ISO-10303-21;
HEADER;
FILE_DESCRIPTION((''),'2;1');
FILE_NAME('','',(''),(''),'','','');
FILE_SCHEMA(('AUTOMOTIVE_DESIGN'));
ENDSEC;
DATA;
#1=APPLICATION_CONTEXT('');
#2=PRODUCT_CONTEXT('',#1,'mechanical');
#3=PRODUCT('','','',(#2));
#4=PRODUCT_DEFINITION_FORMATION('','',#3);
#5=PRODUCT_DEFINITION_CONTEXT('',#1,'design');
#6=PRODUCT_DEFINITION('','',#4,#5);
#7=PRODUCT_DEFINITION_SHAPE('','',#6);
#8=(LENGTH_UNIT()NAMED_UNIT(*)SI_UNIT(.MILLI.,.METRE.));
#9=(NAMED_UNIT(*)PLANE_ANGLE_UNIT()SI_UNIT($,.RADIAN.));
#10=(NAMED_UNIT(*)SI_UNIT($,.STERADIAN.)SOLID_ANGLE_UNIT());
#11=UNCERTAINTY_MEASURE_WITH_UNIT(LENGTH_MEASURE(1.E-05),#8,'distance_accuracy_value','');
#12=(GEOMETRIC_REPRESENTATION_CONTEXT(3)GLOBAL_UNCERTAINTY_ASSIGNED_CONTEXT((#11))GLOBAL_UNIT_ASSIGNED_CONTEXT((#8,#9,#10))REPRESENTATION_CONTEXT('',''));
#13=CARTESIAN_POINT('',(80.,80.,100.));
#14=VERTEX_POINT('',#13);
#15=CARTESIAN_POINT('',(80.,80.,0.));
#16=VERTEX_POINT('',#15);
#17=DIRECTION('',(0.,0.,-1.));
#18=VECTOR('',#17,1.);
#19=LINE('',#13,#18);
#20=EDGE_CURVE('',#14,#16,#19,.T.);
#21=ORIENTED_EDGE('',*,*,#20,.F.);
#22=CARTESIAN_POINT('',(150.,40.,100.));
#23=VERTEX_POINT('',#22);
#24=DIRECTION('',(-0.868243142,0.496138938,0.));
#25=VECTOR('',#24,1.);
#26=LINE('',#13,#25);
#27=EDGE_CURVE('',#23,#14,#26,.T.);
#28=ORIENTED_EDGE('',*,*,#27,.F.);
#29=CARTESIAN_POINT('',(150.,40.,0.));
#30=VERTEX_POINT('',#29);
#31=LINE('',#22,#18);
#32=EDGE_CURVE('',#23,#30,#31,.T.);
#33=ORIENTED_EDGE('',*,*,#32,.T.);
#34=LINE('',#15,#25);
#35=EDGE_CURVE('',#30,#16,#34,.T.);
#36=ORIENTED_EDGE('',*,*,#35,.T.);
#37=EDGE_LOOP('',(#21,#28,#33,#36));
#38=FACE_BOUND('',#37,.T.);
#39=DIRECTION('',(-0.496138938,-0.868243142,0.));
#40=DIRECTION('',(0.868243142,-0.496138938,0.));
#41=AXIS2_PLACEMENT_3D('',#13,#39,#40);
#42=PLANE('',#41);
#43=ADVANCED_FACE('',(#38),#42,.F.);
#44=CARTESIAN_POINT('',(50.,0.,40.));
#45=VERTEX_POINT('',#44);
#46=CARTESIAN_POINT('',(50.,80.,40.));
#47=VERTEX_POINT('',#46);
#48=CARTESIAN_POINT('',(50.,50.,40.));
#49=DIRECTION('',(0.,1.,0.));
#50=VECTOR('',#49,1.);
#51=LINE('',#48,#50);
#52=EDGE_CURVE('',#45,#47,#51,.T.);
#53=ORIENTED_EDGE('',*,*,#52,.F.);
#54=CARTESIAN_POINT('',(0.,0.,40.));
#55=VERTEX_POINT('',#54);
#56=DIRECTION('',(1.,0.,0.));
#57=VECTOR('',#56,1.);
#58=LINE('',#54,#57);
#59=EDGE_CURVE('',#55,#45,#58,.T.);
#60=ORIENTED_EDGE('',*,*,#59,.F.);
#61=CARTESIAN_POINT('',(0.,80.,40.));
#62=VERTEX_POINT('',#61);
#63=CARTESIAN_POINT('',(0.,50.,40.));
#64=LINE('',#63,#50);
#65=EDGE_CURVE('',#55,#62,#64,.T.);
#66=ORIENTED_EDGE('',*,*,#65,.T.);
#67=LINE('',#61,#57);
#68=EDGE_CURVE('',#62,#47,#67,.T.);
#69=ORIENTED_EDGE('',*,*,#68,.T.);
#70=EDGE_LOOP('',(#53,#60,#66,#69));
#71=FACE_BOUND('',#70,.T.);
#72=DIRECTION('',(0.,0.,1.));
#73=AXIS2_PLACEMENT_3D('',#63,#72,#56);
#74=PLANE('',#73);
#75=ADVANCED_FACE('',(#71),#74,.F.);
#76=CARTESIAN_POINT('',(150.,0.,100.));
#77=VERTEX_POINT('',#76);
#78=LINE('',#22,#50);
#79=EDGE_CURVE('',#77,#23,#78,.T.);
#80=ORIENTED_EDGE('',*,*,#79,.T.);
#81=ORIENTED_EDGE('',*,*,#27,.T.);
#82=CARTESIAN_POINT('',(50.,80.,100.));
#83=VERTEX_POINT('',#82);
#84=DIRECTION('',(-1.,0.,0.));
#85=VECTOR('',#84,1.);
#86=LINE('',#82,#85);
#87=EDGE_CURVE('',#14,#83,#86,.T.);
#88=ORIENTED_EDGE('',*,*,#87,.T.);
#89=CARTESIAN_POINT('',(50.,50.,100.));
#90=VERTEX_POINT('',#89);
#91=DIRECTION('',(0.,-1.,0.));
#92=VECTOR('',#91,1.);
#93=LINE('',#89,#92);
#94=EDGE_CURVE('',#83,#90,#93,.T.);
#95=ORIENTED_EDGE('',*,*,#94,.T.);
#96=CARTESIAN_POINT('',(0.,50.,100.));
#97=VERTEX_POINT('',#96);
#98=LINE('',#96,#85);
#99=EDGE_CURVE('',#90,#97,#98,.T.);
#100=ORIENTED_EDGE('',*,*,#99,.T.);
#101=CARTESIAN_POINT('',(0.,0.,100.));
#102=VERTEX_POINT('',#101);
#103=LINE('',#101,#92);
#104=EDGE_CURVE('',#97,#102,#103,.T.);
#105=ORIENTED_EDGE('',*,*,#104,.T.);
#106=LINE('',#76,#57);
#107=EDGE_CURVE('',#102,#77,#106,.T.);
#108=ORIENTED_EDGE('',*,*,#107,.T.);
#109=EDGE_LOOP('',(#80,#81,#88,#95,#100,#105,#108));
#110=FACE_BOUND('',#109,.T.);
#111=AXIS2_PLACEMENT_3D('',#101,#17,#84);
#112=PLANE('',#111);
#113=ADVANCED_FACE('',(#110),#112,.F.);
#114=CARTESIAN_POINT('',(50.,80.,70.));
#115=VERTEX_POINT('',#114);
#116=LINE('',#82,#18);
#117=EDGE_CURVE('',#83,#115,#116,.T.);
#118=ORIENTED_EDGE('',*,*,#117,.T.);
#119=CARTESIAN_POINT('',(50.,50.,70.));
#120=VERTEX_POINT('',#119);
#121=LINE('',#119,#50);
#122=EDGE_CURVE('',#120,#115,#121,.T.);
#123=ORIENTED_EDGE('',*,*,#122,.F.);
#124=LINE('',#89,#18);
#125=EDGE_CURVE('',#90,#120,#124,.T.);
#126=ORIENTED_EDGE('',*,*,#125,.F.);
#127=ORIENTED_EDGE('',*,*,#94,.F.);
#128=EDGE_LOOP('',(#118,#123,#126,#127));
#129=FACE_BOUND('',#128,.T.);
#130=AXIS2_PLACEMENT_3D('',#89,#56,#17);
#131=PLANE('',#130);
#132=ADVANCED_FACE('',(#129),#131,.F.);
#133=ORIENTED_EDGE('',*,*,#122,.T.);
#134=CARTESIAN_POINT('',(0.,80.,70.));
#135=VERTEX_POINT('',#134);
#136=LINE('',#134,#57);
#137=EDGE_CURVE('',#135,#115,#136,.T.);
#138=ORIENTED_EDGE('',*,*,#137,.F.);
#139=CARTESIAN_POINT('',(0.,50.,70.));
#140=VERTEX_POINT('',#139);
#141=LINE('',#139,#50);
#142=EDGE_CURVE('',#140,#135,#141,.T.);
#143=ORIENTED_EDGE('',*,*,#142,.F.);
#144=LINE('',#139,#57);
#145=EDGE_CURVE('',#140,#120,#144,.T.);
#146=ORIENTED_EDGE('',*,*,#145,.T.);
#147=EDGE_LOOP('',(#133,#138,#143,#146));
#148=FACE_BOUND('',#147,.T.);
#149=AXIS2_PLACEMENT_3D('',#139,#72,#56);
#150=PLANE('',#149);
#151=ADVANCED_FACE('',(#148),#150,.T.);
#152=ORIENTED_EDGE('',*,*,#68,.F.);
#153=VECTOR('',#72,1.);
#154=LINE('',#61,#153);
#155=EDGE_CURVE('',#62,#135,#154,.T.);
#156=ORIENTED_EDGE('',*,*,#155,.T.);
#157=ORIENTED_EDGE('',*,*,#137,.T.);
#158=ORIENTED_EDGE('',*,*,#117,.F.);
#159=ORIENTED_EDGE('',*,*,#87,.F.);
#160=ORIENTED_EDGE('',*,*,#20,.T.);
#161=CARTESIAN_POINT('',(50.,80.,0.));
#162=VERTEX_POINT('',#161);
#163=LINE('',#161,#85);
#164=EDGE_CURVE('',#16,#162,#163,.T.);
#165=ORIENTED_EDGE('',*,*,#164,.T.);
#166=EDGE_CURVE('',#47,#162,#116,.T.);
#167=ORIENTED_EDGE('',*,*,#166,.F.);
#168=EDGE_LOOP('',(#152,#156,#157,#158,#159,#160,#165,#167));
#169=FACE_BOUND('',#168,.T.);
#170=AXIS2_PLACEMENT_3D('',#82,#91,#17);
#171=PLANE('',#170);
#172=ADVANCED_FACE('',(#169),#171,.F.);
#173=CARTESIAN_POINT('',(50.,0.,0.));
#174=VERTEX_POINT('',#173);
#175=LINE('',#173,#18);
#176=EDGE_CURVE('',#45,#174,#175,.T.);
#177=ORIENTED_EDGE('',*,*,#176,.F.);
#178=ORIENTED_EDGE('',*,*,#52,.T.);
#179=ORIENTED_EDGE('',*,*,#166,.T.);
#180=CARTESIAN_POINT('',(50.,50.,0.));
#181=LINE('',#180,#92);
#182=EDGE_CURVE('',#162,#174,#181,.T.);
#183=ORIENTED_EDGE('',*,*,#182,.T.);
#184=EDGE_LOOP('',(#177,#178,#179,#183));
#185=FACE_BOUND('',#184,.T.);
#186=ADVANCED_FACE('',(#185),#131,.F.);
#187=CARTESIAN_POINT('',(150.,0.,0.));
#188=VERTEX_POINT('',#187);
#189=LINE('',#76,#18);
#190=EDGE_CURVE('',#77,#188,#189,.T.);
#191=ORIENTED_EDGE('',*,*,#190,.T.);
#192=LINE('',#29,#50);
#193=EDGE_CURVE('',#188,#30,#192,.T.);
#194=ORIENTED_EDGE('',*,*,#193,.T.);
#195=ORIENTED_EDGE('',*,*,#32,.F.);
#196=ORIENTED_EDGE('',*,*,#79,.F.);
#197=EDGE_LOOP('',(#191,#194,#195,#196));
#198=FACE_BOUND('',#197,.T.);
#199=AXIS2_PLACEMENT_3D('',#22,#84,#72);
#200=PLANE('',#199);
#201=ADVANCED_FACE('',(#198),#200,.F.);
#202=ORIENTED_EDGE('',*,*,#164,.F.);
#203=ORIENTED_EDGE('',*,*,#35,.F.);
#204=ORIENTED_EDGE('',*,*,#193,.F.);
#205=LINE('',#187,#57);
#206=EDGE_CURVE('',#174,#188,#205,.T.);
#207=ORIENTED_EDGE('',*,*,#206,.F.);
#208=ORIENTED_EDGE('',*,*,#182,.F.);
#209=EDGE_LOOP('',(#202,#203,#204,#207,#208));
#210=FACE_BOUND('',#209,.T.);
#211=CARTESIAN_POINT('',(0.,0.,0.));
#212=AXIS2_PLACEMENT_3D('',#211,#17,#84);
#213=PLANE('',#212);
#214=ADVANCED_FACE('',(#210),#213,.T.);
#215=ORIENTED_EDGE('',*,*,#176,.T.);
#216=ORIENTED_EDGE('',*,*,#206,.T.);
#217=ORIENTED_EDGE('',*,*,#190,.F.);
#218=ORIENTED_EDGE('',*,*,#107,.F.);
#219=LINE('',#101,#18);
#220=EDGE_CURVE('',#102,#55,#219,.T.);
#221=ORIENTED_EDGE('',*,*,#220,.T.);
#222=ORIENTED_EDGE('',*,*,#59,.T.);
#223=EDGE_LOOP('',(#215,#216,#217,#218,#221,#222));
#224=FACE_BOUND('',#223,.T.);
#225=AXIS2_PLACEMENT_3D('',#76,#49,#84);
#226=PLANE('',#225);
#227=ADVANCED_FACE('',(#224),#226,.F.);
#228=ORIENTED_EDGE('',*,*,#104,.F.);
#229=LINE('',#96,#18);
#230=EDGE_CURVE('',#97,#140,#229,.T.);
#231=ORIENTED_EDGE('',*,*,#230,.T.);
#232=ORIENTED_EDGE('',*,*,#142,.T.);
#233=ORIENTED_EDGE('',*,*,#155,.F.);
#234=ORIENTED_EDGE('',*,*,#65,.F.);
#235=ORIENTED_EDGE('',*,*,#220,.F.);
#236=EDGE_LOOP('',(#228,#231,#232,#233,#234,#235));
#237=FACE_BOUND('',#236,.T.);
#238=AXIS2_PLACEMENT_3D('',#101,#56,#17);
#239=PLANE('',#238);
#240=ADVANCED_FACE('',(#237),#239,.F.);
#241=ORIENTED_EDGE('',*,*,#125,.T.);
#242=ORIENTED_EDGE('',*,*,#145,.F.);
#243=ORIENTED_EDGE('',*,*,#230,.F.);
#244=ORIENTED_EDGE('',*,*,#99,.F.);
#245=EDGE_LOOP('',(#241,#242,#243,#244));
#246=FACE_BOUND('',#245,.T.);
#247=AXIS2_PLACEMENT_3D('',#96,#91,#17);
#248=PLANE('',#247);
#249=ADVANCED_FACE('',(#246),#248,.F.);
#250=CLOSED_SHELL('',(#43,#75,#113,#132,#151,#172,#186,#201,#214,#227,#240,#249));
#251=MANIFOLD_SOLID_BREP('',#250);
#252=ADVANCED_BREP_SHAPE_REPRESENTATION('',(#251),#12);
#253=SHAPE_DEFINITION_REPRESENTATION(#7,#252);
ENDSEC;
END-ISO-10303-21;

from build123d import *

# Parameters (mm, degrees)
BOSS_EXTRUDE1_DEPTH = 100
SKETCH2_W           = 50
SKETCH2_H           = 30
BOSS_EXTRUDE2_DEPTH = 30
SKETCH4_W           = 50
SKETCH4_H           = 40
CUT_EXTRUDE2_DEPTH  = 188.082869339


with BuildPart() as part:
    # Sketch1 → Boss-Extrude1 (new body)
    with BuildSketch(Plane.XY):
        Polygon((0, 0), (0, 50), (50, 50), (50, 80), (80, 80), (150, 40), (150, 0), align=None)
    extrude(amount=BOSS_EXTRUDE1_DEPTH)

    # Sketch2 → Boss-Extrude2 (add)
    with BuildSketch(Plane(origin=(0, 80, 0), x_dir=(1, 0, 0), z_dir=(0, 1, 0))):
        with Locations((25, -55)):
            Rectangle(SKETCH2_W, SKETCH2_H)
    extrude(amount=-BOSS_EXTRUDE2_DEPTH)

    # Sketch4 → Cut-Extrude2 (cut, through all)
    with BuildSketch(Plane(origin=(0, 50, 0), x_dir=(1, 0, 0), z_dir=(0, 1, 0))):
        with Locations((25, -20)):
            Rectangle(SKETCH4_W, SKETCH4_H)
    extrude(amount=-CUT_EXTRUDE2_DEPTH, mode=Mode.SUBTRACT)


solid = part.part
